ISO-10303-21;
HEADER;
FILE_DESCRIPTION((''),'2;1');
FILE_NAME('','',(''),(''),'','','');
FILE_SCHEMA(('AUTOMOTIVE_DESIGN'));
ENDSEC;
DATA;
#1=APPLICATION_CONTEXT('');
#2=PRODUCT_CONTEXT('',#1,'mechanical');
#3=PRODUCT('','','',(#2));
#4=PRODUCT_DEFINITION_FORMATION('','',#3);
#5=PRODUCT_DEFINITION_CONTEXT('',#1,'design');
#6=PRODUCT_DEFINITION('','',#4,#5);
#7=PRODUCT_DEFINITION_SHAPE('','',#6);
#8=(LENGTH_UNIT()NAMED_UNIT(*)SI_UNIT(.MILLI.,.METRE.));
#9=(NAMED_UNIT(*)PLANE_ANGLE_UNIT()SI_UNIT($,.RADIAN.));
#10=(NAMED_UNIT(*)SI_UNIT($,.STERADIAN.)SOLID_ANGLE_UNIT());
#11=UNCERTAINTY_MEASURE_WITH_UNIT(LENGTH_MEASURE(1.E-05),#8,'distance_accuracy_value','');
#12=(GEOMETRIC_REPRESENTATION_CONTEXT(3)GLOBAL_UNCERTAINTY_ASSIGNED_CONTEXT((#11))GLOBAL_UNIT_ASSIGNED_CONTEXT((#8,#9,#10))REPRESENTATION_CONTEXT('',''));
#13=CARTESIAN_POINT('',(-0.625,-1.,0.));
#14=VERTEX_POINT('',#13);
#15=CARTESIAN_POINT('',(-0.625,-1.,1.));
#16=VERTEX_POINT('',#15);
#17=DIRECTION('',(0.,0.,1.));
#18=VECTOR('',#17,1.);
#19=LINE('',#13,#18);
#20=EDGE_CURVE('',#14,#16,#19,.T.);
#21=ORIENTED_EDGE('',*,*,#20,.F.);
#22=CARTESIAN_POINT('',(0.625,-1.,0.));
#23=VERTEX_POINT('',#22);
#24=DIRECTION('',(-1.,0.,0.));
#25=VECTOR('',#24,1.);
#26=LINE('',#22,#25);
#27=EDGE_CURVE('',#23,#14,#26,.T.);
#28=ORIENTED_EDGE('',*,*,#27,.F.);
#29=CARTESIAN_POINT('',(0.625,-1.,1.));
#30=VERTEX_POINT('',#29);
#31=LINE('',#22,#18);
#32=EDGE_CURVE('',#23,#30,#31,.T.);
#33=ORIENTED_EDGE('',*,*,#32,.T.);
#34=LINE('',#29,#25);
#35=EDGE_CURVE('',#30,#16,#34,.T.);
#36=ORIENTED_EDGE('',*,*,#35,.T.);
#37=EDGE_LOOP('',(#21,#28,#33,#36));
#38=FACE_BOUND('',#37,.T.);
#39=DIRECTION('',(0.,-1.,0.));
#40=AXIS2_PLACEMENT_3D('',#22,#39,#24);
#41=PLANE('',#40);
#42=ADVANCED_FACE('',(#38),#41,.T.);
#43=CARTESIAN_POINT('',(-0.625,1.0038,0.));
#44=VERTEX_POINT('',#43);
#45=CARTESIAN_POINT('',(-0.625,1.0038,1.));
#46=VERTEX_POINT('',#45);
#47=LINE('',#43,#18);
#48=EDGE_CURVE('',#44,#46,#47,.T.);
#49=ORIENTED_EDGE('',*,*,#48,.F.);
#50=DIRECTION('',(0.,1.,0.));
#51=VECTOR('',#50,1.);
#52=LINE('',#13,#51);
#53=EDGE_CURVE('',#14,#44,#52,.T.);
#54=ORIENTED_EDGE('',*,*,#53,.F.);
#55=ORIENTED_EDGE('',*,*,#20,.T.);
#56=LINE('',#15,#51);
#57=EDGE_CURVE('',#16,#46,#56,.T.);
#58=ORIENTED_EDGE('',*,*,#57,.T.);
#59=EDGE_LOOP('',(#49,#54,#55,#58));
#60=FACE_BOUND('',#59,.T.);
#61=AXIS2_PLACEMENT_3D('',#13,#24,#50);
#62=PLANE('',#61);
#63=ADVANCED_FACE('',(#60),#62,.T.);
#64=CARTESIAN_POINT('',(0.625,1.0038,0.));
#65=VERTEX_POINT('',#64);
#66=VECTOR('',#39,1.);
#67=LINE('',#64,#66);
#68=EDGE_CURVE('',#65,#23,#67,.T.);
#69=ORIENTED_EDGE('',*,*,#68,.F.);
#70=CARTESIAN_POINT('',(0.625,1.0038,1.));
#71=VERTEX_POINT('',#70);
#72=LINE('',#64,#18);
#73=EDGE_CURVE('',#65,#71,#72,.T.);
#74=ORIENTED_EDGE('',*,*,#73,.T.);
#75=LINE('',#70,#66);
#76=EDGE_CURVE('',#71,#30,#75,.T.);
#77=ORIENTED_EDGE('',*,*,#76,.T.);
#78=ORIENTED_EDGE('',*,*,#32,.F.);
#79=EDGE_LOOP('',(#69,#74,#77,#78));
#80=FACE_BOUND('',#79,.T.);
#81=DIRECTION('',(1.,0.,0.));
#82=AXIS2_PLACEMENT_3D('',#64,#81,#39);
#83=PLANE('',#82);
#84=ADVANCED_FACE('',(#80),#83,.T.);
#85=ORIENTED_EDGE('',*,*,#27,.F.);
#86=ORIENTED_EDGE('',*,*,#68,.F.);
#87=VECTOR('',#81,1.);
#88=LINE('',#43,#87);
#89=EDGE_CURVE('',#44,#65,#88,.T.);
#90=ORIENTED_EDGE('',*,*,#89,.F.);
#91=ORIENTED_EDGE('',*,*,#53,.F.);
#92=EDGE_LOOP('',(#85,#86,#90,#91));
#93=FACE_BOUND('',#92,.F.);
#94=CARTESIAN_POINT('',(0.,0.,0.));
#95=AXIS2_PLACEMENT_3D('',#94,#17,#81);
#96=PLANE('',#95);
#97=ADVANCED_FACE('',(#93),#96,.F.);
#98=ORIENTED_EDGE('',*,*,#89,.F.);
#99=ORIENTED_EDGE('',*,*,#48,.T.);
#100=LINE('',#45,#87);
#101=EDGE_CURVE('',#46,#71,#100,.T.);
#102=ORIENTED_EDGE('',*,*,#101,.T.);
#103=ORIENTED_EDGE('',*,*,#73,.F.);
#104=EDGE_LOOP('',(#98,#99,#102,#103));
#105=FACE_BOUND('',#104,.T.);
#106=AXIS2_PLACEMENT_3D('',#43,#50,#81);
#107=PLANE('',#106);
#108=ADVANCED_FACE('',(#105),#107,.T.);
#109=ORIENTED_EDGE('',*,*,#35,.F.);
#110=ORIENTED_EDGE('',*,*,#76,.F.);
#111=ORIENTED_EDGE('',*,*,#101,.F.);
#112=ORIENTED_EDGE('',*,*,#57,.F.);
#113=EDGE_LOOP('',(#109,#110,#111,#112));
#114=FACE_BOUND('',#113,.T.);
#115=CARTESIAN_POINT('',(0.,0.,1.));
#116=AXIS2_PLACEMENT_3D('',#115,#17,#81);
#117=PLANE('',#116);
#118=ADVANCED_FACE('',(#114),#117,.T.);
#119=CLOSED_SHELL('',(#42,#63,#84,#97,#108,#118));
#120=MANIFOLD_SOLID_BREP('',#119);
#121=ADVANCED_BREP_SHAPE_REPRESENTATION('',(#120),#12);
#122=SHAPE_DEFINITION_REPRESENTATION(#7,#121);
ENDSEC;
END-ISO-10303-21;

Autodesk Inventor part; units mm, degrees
ref_plane "YZ Plane" through (0, 0, 0) normal (1, 0, 0) x (0, 1, 0)
ref_plane "XZ Plane" through (0, 0, 0) normal (0, 1, 0) x (-1, 0, 0)
ref_plane "XY Plane" through (0, 0, 0) normal (0, 0, 1) x (1, 0, 0)
sketch "CHIPLED_0805, CHIPLED_0805_19" plane through (0, 0, 0) normal (0, 0, 1) x (1, 0, 0)
  line L0 (-0.625, 1.0038) -> (0.625, 1.0038)
  line L1 (0.625, 1.0038) -> (0.625, -1)
  line L2 (0.625, -1) -> (-0.625, -1)
  line L3 (-0.625, -1) -> (-0.625, 1.0038)
extrude "Выдавливание1" add sketch "CHIPLED_0805, CHIPLED_0805_19" along normal blind 1
properties part number "CHIPLED_0805"
